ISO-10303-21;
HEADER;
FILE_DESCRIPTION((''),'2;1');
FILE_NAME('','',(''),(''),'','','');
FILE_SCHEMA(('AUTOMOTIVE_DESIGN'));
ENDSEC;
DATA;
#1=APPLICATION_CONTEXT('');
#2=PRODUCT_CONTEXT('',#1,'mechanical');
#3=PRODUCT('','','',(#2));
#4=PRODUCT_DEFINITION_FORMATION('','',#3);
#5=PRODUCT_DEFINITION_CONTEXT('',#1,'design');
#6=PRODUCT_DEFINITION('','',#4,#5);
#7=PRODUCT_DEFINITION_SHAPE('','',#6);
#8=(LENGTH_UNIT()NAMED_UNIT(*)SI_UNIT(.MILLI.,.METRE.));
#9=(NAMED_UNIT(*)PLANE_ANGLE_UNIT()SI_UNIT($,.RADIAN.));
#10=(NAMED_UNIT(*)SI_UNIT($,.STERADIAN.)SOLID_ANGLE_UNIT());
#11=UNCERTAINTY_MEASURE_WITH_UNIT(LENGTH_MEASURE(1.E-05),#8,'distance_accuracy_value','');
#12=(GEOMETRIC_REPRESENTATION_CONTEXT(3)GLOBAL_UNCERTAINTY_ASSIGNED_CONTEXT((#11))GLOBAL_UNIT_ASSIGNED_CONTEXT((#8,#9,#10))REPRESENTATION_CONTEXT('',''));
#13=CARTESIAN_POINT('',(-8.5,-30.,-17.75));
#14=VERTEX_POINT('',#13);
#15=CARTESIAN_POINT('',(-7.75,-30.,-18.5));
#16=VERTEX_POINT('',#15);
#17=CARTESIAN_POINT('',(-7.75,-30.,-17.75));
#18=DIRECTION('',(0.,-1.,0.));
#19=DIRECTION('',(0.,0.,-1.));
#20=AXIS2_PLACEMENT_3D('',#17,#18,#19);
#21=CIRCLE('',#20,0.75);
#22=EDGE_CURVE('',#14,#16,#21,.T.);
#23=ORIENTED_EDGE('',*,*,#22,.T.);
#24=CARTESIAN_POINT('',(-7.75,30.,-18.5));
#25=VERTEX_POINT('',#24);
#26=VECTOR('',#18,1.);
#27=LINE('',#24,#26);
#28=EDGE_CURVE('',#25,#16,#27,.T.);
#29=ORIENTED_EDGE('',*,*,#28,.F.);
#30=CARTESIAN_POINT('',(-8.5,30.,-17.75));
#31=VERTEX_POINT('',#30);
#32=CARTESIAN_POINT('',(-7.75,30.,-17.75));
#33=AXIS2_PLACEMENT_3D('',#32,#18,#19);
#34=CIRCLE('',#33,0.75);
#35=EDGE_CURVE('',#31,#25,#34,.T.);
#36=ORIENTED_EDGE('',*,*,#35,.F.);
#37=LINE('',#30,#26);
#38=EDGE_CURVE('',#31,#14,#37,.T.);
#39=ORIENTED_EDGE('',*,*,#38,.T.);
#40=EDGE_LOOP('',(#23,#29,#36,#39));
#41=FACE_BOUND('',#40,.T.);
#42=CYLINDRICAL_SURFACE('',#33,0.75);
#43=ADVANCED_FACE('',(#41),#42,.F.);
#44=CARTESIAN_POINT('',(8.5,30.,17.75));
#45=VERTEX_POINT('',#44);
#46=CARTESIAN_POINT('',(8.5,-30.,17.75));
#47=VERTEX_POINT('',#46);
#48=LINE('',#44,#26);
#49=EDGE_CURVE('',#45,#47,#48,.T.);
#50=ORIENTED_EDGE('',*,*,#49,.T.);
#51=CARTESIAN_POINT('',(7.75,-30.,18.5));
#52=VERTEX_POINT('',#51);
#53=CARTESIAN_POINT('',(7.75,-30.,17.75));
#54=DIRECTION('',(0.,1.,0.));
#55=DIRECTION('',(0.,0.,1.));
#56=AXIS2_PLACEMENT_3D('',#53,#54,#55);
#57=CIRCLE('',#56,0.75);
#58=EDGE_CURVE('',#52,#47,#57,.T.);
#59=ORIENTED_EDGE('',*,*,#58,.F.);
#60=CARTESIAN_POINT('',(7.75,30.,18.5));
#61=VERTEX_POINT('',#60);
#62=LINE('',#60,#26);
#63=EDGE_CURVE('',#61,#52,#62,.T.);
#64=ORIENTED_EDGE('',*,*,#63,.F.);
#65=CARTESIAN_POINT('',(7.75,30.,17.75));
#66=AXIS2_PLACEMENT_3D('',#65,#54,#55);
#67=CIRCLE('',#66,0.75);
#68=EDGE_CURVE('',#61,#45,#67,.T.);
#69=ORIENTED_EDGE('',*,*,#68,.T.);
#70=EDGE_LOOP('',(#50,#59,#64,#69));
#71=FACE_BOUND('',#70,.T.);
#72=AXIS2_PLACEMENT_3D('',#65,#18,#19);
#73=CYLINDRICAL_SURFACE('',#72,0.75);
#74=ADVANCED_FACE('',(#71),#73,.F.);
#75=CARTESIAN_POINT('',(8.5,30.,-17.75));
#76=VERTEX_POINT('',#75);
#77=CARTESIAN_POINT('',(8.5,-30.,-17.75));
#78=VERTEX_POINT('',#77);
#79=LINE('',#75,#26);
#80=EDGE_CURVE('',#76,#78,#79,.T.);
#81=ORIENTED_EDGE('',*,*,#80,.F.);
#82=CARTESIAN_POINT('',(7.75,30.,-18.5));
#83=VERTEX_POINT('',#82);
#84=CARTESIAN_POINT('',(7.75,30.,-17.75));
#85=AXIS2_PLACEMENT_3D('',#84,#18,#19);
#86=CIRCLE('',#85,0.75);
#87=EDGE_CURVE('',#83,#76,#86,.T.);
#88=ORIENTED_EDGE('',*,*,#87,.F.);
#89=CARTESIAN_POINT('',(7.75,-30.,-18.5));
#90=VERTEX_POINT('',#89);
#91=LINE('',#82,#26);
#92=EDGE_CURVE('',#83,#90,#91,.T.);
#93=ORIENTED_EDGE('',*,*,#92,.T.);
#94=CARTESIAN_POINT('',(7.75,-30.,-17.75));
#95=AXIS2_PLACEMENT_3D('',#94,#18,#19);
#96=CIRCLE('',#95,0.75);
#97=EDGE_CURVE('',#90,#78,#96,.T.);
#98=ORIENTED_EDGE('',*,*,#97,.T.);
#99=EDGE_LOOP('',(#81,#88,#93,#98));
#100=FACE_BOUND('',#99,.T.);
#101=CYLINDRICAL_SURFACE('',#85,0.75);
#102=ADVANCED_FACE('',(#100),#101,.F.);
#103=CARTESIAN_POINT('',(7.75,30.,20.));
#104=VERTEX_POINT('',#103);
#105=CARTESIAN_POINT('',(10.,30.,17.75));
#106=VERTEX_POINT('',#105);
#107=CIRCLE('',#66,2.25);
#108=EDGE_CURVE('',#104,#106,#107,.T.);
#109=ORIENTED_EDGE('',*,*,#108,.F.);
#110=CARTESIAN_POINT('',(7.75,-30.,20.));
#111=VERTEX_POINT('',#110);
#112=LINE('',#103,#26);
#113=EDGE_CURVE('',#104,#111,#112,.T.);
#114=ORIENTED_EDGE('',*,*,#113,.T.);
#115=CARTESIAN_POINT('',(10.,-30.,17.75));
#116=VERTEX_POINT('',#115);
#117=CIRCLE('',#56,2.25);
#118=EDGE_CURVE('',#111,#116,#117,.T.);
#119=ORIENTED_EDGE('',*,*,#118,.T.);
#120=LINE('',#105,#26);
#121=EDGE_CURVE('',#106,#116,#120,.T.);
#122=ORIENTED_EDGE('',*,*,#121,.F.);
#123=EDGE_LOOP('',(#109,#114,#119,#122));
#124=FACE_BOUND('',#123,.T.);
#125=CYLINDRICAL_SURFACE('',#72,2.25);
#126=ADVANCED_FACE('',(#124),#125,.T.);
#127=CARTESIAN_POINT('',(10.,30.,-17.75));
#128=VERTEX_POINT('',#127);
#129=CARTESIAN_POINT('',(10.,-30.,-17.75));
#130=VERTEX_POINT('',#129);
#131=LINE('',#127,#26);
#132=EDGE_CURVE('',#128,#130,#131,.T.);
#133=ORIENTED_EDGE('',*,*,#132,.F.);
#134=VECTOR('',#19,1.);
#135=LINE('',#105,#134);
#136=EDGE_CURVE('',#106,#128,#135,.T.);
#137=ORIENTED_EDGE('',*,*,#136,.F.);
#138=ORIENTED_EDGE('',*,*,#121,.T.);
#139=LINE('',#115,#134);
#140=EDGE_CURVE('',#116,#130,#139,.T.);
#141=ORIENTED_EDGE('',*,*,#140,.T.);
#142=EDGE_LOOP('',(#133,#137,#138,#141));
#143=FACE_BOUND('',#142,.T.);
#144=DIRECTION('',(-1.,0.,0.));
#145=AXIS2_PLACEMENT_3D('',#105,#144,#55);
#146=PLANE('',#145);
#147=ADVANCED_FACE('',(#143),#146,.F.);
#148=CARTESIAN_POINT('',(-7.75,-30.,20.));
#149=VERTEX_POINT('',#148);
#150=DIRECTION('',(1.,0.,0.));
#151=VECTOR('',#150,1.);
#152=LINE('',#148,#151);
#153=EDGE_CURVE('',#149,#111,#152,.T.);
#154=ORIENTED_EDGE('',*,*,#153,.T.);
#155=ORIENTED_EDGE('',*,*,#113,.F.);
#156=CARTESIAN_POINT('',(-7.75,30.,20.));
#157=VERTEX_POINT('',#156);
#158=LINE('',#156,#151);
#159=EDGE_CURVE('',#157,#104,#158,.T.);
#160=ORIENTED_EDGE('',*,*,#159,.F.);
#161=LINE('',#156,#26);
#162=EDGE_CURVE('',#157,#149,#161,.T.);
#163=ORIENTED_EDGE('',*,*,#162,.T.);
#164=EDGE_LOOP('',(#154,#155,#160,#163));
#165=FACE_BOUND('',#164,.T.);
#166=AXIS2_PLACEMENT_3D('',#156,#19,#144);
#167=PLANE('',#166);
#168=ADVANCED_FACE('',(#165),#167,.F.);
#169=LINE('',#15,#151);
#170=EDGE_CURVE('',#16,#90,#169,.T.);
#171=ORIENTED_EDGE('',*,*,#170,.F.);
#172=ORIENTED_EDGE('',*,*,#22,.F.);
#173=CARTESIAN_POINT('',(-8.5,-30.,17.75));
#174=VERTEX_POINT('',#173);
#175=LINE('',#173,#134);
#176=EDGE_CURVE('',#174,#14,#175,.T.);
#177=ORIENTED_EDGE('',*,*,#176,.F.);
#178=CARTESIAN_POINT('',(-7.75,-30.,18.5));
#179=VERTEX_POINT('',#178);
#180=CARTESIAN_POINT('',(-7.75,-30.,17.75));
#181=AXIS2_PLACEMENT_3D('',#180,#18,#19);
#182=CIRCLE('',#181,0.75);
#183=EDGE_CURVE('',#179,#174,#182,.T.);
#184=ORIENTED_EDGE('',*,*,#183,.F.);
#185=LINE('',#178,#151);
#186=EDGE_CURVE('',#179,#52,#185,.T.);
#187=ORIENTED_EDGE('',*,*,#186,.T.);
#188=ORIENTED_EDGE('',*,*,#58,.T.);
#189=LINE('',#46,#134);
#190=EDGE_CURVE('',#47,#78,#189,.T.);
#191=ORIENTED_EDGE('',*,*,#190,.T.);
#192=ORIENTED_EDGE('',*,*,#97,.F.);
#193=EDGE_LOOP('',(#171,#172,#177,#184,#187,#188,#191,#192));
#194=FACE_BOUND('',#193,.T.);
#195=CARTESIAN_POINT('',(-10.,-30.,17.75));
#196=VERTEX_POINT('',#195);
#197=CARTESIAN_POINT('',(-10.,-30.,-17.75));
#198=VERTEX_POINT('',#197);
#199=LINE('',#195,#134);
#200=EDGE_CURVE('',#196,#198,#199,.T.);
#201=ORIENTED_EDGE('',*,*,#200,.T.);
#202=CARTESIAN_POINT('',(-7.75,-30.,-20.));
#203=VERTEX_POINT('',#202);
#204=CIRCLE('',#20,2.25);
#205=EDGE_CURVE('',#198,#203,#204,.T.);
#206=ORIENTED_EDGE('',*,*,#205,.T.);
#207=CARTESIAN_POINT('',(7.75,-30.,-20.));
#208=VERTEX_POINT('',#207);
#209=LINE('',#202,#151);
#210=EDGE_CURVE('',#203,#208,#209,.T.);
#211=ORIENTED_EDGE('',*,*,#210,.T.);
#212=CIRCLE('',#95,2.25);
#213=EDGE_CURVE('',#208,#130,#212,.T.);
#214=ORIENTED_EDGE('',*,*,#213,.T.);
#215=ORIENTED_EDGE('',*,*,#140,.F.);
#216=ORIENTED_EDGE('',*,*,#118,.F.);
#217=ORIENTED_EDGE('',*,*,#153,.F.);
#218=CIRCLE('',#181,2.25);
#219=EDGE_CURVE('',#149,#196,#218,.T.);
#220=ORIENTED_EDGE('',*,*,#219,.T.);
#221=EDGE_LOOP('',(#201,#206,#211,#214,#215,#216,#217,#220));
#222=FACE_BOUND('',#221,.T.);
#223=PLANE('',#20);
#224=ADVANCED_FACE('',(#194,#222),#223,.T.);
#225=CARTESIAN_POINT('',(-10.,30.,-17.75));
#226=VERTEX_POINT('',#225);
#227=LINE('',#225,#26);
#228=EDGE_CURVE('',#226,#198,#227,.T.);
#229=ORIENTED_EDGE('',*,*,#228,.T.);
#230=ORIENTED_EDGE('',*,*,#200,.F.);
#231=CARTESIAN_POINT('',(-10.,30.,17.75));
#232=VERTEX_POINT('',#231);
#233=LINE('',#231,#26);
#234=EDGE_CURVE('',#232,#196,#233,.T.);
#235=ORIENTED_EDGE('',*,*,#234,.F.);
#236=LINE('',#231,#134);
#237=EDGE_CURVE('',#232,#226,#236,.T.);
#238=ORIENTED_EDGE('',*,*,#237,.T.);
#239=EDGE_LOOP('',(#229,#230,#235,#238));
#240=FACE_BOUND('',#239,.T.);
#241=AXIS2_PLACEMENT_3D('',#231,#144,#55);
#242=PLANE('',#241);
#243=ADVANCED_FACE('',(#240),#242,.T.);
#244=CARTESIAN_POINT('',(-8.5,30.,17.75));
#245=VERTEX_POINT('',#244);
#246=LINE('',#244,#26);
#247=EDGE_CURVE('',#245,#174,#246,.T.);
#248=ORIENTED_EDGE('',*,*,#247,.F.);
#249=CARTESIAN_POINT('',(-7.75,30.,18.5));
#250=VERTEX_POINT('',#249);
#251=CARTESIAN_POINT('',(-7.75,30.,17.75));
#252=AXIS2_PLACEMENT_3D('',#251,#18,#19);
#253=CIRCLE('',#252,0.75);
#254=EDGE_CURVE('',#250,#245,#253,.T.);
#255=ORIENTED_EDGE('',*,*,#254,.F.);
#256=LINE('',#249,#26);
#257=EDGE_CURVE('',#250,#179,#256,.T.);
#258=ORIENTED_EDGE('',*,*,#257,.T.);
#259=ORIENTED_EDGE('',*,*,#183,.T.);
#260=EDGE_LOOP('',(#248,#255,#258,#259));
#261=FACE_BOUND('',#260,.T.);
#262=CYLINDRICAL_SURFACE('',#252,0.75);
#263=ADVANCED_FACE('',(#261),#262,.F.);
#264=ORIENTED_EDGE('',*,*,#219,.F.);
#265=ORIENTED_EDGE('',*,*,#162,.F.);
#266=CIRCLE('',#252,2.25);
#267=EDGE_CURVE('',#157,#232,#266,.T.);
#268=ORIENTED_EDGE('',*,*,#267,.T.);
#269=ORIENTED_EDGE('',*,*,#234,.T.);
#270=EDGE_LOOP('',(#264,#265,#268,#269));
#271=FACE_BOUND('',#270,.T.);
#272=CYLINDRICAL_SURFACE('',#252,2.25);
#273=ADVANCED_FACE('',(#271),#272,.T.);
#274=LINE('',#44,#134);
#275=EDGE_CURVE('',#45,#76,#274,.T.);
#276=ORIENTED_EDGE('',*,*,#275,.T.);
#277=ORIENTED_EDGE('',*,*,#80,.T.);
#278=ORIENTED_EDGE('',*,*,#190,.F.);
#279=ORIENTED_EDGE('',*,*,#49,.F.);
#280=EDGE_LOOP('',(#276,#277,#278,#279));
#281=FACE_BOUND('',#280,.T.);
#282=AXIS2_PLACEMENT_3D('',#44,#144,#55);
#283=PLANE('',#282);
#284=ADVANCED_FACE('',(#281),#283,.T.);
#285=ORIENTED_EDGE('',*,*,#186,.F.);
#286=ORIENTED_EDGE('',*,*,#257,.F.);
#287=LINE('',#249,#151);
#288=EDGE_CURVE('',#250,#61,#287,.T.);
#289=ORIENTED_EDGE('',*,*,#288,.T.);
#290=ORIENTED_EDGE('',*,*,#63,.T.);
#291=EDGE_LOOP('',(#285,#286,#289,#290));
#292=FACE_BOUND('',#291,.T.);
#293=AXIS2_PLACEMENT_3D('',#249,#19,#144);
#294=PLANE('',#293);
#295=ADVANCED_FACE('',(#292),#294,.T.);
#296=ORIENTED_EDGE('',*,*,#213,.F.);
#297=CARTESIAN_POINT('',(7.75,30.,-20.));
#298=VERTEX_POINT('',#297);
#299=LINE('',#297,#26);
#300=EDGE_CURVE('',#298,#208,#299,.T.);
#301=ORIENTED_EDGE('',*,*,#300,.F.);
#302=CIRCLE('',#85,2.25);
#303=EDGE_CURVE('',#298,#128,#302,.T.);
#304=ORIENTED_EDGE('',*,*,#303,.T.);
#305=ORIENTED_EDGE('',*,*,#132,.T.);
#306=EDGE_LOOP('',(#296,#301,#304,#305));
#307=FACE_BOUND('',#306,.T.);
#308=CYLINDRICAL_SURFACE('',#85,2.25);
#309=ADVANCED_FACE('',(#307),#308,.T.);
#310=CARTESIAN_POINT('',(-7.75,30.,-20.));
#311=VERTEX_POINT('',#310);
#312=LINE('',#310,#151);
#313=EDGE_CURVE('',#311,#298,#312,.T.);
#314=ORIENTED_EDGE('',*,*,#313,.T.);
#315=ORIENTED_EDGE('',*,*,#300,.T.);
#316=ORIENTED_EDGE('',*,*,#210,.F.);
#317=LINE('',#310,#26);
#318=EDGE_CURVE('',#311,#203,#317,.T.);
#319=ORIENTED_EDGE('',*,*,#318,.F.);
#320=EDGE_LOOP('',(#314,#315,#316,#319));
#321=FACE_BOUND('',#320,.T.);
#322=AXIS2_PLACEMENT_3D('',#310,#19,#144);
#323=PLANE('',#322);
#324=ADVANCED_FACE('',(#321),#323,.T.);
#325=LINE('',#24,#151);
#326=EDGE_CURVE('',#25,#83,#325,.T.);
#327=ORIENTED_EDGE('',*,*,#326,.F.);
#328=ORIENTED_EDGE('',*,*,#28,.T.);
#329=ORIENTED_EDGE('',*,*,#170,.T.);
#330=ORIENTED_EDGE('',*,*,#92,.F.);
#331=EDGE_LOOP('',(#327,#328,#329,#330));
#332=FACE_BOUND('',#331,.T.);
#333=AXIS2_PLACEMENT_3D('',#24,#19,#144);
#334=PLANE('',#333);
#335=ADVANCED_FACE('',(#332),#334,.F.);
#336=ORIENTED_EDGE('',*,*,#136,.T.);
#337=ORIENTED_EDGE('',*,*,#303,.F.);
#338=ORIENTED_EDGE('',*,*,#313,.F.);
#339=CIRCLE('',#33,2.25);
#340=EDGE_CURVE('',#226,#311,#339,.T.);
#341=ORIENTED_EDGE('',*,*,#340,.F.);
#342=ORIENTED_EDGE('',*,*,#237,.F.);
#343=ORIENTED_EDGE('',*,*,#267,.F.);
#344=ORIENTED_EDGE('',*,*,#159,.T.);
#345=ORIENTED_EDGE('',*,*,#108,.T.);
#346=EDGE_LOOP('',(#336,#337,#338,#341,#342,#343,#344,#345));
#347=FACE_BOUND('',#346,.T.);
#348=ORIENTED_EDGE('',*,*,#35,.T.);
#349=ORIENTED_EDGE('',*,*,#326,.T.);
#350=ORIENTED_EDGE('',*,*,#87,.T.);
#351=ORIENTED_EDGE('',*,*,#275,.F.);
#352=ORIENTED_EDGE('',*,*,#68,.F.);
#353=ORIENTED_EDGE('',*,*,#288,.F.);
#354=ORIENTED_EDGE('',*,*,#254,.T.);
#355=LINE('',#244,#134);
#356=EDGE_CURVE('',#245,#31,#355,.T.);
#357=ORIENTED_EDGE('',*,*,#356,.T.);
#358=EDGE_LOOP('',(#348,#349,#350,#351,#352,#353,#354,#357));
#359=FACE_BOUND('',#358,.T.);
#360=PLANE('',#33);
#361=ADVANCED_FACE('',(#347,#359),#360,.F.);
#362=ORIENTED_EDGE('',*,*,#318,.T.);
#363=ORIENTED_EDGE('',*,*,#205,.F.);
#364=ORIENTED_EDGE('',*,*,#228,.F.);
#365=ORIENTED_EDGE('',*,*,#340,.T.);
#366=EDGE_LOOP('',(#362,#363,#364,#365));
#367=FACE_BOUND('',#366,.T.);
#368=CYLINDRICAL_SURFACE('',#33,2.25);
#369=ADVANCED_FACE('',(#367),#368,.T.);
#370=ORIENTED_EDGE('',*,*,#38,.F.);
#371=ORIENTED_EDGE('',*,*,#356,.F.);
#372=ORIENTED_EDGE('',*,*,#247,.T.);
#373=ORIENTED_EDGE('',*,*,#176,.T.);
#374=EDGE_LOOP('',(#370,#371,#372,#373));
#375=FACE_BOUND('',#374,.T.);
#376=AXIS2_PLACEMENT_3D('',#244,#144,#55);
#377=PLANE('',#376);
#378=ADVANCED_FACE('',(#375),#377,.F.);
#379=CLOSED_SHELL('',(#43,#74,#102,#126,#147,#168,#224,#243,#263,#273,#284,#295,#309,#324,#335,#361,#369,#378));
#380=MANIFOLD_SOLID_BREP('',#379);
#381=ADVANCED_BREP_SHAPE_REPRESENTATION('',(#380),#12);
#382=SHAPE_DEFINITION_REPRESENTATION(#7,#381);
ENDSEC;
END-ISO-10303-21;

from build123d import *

# Parameters (mm, degrees)
EXTRUDE_1_DEPTH = 30


with BuildPart() as part:
    # Эскиз1 → Бобышка-Вытянуть1 (new, symmetric)
    with BuildSketch(Plane(origin=(0, 0, 0), x_dir=(1, 0, 0), z_dir=(0, 1, 0))):
        with BuildLine():
            Line((-7.75, -20), (7.75, -20))
            ThreePointArc((7.75, -20), (9.340990258, -19.340990258), (10, -17.75))
            Line((10, -17.75), (10, 17.75))
            ThreePointArc((10, 17.75), (9.340990258, 19.340990258), (7.75, 20))
            Line((7.75, 20), (-7.75, 20))
            ThreePointArc((-7.75, 20), (-9.340990258, 19.340990258), (-10, 17.75))
            Line((-10, 17.75), (-10, -17.75))
            ThreePointArc((-10, -17.75), (-9.340990258, -19.340990258), (-7.75, -20))
        make_face()
        with BuildLine():
            Line((-7.75, 18.5), (7.75, 18.5))
            ThreePointArc((7.75, 18.5), (8.280330086, 18.280330086), (8.5, 17.75))
            Line((8.5, 17.75), (8.5, -17.75))
            ThreePointArc((8.5, -17.75), (8.280330086, -18.280330086), (7.75, -18.5))
            Line((7.75, -18.5), (-7.75, -18.5))
            ThreePointArc((-7.75, -18.5), (-8.280330086, -18.280330086), (-8.5, -17.75))
            Line((-8.5, -17.75), (-8.5, 17.75))
            ThreePointArc((-8.5, 17.75), (-8.280330086, 18.280330086), (-7.75, 18.5))
        make_face(mode=Mode.SUBTRACT)
    extrude(amount=EXTRUDE_1_DEPTH, both=True)


solid = part.part
